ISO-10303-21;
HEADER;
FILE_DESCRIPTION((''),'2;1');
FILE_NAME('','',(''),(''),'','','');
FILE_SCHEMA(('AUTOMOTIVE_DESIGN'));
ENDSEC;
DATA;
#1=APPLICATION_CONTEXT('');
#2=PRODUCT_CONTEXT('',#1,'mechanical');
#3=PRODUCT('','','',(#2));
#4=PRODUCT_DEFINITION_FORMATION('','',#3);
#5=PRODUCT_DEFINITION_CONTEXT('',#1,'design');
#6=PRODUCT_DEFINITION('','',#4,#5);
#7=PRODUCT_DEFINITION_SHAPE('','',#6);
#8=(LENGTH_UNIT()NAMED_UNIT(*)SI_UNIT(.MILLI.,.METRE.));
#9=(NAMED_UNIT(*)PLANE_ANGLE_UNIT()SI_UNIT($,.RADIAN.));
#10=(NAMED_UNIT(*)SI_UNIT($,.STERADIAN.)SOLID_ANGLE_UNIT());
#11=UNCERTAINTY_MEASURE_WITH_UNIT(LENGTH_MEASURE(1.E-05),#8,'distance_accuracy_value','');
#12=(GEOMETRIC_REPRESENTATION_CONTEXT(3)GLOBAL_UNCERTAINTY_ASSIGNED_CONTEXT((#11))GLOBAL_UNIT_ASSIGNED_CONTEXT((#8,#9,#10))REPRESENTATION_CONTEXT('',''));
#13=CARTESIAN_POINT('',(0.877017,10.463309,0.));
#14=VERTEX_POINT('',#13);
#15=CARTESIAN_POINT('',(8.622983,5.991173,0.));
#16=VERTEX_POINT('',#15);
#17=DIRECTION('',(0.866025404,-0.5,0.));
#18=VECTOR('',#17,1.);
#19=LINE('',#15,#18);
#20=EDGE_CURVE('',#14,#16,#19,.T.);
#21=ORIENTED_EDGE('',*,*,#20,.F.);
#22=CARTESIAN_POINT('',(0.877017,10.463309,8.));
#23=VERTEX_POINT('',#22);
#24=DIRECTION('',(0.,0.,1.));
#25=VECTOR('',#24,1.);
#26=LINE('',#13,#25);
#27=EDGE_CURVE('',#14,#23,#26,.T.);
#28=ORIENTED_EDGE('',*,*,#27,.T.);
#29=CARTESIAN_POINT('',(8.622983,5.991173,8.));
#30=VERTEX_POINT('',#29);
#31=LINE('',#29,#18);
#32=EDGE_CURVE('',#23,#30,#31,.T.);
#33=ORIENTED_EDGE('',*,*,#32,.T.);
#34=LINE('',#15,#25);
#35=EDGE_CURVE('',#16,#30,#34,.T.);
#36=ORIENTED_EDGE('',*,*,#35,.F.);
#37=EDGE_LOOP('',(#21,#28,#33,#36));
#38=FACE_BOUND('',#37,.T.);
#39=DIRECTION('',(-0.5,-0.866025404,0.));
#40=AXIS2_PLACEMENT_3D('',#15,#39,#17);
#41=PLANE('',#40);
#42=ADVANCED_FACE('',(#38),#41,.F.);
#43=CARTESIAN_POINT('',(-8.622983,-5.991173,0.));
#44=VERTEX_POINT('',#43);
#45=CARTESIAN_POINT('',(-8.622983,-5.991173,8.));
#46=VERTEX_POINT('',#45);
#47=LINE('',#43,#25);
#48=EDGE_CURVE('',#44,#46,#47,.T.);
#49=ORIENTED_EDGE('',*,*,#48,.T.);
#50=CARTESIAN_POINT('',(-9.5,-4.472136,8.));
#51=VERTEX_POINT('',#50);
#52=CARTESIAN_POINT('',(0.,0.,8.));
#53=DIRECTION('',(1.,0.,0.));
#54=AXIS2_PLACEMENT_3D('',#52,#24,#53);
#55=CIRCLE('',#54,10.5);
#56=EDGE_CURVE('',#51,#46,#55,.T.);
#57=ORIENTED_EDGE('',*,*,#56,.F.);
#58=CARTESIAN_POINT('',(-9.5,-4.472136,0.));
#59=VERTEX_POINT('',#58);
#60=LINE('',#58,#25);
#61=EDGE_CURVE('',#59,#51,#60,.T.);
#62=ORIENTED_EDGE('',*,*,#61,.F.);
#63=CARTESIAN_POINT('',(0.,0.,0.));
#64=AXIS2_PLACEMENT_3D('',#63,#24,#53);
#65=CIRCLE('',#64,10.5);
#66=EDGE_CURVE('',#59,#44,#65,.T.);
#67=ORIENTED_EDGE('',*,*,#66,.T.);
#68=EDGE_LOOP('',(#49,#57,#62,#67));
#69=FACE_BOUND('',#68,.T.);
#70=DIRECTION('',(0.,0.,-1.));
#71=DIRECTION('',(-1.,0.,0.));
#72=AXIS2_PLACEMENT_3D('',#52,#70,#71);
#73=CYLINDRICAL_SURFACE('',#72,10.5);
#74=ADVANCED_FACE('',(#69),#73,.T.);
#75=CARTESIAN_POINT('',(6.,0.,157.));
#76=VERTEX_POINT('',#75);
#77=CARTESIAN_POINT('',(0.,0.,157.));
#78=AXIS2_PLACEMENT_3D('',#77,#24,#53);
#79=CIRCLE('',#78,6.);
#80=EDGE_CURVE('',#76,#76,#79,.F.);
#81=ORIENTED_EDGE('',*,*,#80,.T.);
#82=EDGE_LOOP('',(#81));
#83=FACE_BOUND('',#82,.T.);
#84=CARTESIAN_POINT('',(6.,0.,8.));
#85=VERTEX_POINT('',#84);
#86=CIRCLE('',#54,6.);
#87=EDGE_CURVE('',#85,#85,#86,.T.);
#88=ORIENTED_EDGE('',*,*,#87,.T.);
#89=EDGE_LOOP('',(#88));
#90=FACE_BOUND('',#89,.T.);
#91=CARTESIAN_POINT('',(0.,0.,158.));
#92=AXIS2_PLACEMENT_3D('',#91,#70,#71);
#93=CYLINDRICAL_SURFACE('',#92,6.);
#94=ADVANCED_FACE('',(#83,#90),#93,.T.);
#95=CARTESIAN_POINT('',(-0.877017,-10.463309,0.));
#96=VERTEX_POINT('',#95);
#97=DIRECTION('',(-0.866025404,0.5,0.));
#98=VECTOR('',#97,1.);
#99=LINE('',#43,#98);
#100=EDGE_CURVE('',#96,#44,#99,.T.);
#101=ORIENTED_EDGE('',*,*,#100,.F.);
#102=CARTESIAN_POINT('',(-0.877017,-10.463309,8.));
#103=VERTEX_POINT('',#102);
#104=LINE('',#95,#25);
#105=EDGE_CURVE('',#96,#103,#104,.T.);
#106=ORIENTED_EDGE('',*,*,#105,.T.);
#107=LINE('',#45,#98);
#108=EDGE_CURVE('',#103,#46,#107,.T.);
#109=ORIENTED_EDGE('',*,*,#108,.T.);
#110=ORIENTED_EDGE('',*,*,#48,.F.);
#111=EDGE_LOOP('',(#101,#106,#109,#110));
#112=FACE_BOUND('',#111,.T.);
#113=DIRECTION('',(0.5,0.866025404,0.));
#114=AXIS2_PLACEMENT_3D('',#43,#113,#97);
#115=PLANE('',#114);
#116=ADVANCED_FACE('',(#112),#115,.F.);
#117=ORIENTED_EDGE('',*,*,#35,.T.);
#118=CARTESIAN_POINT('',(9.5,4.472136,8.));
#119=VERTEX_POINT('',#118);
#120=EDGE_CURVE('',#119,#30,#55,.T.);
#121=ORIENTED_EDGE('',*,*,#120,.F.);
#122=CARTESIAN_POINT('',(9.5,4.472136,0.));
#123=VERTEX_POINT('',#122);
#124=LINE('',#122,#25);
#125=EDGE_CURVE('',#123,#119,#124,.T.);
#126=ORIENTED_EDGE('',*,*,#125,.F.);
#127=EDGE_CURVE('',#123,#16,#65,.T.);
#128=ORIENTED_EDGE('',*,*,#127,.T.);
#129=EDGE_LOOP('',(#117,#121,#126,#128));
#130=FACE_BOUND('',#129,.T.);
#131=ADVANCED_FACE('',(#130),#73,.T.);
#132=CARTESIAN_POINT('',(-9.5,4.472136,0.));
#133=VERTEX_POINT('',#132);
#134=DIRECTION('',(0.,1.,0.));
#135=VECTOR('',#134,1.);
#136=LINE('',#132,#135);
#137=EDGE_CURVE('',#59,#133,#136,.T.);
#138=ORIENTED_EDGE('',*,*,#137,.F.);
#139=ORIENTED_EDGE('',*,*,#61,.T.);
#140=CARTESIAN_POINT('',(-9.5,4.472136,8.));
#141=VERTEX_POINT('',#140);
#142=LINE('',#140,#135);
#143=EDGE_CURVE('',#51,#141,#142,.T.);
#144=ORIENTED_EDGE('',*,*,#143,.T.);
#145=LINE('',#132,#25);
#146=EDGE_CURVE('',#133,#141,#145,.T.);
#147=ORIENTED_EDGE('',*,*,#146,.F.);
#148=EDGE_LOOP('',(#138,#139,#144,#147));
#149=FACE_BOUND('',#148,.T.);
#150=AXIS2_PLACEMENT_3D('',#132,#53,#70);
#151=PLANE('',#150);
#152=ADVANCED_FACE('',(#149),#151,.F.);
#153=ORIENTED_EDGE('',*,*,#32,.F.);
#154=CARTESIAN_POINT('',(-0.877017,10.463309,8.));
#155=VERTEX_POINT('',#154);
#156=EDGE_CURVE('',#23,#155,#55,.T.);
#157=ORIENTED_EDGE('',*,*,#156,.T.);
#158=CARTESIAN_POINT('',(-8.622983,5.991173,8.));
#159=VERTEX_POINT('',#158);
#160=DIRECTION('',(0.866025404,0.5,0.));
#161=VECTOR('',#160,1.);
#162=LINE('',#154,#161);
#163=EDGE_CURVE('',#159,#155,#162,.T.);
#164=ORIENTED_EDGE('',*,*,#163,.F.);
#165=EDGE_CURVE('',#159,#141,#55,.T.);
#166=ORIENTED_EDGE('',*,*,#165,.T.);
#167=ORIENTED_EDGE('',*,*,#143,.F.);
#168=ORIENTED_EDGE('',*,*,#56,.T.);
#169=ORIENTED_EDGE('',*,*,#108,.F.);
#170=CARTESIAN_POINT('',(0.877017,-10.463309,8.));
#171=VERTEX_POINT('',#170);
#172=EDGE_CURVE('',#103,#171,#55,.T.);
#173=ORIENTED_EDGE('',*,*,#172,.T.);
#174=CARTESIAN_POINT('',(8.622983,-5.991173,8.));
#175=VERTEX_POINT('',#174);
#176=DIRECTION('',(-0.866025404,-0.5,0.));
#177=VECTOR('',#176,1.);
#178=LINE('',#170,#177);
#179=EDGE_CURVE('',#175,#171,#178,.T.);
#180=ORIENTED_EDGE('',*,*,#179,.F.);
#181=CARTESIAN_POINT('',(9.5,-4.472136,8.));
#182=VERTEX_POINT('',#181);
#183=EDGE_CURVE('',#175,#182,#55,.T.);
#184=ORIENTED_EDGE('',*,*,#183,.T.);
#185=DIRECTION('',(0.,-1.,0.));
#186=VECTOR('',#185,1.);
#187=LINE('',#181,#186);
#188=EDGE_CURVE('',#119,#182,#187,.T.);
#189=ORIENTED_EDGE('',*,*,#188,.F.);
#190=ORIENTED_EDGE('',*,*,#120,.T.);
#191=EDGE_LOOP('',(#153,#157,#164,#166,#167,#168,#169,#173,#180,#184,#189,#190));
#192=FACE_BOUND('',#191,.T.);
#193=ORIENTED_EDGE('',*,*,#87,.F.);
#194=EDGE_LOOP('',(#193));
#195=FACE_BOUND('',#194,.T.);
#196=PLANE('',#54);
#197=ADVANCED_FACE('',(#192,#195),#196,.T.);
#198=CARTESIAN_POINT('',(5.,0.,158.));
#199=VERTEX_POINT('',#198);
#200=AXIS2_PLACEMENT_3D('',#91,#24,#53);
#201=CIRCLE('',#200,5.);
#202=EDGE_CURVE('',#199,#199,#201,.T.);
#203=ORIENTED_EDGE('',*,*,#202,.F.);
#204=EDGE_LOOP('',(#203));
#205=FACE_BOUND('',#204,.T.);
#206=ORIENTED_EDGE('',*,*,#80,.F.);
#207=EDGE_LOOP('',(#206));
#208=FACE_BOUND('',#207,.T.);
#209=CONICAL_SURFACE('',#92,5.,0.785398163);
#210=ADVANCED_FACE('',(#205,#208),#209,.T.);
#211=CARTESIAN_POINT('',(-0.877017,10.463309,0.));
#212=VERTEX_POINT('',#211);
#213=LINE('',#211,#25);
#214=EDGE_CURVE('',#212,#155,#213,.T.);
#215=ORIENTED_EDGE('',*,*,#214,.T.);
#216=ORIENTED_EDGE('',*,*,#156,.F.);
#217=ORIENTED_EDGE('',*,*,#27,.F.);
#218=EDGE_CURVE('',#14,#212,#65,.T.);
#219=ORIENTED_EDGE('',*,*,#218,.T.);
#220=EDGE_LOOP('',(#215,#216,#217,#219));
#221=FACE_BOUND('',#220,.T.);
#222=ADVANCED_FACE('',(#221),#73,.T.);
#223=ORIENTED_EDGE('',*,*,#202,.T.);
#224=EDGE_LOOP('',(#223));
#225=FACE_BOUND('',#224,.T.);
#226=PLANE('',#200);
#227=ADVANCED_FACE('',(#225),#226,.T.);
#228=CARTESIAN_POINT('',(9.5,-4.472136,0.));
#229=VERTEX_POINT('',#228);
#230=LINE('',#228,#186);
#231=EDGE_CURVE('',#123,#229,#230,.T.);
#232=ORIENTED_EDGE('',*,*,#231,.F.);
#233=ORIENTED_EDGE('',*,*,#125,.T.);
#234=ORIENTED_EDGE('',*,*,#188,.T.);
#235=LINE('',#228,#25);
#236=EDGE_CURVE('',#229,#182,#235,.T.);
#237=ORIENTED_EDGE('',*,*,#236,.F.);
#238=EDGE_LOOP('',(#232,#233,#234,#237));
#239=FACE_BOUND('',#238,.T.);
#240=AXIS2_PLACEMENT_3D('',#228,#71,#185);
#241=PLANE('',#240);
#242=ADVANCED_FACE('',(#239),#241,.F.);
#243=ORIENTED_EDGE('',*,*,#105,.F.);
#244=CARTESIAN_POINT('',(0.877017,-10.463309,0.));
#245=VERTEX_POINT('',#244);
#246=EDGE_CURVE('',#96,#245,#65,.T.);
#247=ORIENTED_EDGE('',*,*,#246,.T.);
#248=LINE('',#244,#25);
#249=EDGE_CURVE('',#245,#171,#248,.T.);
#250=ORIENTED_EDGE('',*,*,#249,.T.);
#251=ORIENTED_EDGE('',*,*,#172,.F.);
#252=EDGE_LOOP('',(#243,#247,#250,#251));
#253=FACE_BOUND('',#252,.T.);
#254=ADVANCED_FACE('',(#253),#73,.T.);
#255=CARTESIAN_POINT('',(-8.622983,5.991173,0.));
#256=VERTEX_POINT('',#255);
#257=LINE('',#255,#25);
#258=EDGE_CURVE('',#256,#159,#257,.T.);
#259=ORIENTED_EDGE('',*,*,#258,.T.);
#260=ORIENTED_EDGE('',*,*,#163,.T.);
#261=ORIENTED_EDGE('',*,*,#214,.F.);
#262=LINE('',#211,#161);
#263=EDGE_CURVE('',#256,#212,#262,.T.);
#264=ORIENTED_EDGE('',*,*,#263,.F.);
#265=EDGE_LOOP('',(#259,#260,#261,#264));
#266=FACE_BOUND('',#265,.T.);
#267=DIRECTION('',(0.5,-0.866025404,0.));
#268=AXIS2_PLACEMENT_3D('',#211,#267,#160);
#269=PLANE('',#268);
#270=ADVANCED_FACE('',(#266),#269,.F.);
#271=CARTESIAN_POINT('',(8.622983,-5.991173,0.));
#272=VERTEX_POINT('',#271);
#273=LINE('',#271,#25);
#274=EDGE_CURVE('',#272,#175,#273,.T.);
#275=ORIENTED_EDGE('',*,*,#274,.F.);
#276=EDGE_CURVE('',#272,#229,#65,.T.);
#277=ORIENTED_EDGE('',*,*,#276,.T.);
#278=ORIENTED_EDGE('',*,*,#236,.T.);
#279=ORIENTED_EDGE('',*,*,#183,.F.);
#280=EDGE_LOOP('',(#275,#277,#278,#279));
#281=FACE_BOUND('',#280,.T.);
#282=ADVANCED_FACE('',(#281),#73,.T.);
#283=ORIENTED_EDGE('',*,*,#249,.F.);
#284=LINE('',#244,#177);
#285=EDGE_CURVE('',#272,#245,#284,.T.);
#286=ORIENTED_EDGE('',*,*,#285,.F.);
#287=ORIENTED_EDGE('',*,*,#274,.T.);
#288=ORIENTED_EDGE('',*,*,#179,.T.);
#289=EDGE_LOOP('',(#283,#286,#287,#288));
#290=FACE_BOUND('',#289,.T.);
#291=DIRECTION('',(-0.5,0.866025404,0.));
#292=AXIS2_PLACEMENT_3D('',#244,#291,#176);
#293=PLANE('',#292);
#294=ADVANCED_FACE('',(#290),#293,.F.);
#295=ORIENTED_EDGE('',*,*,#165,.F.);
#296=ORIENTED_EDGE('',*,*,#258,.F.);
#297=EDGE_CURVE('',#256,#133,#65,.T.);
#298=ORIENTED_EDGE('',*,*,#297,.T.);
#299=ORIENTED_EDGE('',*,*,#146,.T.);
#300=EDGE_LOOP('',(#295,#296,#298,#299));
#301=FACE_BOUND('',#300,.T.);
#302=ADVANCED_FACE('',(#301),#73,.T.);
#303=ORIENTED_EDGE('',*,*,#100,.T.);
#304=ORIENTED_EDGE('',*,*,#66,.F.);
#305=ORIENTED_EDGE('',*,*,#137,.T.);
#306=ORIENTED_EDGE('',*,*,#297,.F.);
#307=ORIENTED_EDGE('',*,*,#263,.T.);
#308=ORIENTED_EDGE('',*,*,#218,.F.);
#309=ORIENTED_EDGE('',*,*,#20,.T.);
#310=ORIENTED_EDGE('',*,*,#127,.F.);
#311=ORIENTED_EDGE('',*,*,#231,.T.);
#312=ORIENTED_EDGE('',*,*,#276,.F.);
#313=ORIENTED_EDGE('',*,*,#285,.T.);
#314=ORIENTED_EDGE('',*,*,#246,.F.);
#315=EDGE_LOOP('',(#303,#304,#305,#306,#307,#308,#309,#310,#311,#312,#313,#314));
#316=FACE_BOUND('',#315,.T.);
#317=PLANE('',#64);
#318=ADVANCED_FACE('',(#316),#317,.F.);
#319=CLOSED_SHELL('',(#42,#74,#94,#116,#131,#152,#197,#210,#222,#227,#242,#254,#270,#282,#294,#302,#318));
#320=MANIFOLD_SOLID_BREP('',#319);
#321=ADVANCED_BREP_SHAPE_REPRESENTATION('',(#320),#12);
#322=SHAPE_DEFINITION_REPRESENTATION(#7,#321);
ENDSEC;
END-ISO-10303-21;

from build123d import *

# Parameters (mm, degrees)
SKETCH_1_R               = 10.5
EXTRUDE_226_DEPTH        = 8
CUT_EXTRUDE_1_DEPTH      = 17.867127793
PATTERN_CIRCULAR_1_COUNT = 6
SKETCH_3_R               = 6
EXTRUDE_1_DEPTH          = 150
CHAMFER_1_SIZE           = 1


with BuildPart() as part:
    # Эскиз1 → Extrude 226 (new body)
    with BuildSketch(Plane.XY):
        Circle(SKETCH_1_R)
    extrude(amount=EXTRUDE_226_DEPTH)

    # Эскиз2 → Вырез-Вытянуть1 (cut, through all)
    with BuildSketch(Plane.XY.offset(8)):
        with BuildLine():
            Line((-9.5, 4.472135955), (-9.5, -4.472135955))
            ThreePointArc((-9.5, -4.472135955), (-10.5, 0), (-9.5, 4.472135955))
        make_face()
    cut_extrude_1 = extrude(amount=-CUT_EXTRUDE_1_DEPTH, mode=Mode.SUBTRACT)

    # Круговой массив1: Вырез-Вытянуть1 ×6 about axis
    pattern_circular_1_axis = Axis((0, 0, 58), (0, 0, -1))
    for i in range(1, PATTERN_CIRCULAR_1_COUNT):
        add(cut_extrude_1.rotate(pattern_circular_1_axis, i * 360 / PATTERN_CIRCULAR_1_COUNT), mode=Mode.SUBTRACT)

    # Эскиз3 → Бобышка-Вытянуть1 (add)
    with BuildSketch(Plane.XY.offset(8)):
        Circle(SKETCH_3_R)
    extrude(amount=EXTRUDE_1_DEPTH)

    # Фаска1
    chamfer_1_edges = [part.edges().sort_by_distance(p)[0] for p in [
        (-6, 0, 158),
    ]]
    chamfer(chamfer_1_edges, length=CHAMFER_1_SIZE)


solid = part.part
